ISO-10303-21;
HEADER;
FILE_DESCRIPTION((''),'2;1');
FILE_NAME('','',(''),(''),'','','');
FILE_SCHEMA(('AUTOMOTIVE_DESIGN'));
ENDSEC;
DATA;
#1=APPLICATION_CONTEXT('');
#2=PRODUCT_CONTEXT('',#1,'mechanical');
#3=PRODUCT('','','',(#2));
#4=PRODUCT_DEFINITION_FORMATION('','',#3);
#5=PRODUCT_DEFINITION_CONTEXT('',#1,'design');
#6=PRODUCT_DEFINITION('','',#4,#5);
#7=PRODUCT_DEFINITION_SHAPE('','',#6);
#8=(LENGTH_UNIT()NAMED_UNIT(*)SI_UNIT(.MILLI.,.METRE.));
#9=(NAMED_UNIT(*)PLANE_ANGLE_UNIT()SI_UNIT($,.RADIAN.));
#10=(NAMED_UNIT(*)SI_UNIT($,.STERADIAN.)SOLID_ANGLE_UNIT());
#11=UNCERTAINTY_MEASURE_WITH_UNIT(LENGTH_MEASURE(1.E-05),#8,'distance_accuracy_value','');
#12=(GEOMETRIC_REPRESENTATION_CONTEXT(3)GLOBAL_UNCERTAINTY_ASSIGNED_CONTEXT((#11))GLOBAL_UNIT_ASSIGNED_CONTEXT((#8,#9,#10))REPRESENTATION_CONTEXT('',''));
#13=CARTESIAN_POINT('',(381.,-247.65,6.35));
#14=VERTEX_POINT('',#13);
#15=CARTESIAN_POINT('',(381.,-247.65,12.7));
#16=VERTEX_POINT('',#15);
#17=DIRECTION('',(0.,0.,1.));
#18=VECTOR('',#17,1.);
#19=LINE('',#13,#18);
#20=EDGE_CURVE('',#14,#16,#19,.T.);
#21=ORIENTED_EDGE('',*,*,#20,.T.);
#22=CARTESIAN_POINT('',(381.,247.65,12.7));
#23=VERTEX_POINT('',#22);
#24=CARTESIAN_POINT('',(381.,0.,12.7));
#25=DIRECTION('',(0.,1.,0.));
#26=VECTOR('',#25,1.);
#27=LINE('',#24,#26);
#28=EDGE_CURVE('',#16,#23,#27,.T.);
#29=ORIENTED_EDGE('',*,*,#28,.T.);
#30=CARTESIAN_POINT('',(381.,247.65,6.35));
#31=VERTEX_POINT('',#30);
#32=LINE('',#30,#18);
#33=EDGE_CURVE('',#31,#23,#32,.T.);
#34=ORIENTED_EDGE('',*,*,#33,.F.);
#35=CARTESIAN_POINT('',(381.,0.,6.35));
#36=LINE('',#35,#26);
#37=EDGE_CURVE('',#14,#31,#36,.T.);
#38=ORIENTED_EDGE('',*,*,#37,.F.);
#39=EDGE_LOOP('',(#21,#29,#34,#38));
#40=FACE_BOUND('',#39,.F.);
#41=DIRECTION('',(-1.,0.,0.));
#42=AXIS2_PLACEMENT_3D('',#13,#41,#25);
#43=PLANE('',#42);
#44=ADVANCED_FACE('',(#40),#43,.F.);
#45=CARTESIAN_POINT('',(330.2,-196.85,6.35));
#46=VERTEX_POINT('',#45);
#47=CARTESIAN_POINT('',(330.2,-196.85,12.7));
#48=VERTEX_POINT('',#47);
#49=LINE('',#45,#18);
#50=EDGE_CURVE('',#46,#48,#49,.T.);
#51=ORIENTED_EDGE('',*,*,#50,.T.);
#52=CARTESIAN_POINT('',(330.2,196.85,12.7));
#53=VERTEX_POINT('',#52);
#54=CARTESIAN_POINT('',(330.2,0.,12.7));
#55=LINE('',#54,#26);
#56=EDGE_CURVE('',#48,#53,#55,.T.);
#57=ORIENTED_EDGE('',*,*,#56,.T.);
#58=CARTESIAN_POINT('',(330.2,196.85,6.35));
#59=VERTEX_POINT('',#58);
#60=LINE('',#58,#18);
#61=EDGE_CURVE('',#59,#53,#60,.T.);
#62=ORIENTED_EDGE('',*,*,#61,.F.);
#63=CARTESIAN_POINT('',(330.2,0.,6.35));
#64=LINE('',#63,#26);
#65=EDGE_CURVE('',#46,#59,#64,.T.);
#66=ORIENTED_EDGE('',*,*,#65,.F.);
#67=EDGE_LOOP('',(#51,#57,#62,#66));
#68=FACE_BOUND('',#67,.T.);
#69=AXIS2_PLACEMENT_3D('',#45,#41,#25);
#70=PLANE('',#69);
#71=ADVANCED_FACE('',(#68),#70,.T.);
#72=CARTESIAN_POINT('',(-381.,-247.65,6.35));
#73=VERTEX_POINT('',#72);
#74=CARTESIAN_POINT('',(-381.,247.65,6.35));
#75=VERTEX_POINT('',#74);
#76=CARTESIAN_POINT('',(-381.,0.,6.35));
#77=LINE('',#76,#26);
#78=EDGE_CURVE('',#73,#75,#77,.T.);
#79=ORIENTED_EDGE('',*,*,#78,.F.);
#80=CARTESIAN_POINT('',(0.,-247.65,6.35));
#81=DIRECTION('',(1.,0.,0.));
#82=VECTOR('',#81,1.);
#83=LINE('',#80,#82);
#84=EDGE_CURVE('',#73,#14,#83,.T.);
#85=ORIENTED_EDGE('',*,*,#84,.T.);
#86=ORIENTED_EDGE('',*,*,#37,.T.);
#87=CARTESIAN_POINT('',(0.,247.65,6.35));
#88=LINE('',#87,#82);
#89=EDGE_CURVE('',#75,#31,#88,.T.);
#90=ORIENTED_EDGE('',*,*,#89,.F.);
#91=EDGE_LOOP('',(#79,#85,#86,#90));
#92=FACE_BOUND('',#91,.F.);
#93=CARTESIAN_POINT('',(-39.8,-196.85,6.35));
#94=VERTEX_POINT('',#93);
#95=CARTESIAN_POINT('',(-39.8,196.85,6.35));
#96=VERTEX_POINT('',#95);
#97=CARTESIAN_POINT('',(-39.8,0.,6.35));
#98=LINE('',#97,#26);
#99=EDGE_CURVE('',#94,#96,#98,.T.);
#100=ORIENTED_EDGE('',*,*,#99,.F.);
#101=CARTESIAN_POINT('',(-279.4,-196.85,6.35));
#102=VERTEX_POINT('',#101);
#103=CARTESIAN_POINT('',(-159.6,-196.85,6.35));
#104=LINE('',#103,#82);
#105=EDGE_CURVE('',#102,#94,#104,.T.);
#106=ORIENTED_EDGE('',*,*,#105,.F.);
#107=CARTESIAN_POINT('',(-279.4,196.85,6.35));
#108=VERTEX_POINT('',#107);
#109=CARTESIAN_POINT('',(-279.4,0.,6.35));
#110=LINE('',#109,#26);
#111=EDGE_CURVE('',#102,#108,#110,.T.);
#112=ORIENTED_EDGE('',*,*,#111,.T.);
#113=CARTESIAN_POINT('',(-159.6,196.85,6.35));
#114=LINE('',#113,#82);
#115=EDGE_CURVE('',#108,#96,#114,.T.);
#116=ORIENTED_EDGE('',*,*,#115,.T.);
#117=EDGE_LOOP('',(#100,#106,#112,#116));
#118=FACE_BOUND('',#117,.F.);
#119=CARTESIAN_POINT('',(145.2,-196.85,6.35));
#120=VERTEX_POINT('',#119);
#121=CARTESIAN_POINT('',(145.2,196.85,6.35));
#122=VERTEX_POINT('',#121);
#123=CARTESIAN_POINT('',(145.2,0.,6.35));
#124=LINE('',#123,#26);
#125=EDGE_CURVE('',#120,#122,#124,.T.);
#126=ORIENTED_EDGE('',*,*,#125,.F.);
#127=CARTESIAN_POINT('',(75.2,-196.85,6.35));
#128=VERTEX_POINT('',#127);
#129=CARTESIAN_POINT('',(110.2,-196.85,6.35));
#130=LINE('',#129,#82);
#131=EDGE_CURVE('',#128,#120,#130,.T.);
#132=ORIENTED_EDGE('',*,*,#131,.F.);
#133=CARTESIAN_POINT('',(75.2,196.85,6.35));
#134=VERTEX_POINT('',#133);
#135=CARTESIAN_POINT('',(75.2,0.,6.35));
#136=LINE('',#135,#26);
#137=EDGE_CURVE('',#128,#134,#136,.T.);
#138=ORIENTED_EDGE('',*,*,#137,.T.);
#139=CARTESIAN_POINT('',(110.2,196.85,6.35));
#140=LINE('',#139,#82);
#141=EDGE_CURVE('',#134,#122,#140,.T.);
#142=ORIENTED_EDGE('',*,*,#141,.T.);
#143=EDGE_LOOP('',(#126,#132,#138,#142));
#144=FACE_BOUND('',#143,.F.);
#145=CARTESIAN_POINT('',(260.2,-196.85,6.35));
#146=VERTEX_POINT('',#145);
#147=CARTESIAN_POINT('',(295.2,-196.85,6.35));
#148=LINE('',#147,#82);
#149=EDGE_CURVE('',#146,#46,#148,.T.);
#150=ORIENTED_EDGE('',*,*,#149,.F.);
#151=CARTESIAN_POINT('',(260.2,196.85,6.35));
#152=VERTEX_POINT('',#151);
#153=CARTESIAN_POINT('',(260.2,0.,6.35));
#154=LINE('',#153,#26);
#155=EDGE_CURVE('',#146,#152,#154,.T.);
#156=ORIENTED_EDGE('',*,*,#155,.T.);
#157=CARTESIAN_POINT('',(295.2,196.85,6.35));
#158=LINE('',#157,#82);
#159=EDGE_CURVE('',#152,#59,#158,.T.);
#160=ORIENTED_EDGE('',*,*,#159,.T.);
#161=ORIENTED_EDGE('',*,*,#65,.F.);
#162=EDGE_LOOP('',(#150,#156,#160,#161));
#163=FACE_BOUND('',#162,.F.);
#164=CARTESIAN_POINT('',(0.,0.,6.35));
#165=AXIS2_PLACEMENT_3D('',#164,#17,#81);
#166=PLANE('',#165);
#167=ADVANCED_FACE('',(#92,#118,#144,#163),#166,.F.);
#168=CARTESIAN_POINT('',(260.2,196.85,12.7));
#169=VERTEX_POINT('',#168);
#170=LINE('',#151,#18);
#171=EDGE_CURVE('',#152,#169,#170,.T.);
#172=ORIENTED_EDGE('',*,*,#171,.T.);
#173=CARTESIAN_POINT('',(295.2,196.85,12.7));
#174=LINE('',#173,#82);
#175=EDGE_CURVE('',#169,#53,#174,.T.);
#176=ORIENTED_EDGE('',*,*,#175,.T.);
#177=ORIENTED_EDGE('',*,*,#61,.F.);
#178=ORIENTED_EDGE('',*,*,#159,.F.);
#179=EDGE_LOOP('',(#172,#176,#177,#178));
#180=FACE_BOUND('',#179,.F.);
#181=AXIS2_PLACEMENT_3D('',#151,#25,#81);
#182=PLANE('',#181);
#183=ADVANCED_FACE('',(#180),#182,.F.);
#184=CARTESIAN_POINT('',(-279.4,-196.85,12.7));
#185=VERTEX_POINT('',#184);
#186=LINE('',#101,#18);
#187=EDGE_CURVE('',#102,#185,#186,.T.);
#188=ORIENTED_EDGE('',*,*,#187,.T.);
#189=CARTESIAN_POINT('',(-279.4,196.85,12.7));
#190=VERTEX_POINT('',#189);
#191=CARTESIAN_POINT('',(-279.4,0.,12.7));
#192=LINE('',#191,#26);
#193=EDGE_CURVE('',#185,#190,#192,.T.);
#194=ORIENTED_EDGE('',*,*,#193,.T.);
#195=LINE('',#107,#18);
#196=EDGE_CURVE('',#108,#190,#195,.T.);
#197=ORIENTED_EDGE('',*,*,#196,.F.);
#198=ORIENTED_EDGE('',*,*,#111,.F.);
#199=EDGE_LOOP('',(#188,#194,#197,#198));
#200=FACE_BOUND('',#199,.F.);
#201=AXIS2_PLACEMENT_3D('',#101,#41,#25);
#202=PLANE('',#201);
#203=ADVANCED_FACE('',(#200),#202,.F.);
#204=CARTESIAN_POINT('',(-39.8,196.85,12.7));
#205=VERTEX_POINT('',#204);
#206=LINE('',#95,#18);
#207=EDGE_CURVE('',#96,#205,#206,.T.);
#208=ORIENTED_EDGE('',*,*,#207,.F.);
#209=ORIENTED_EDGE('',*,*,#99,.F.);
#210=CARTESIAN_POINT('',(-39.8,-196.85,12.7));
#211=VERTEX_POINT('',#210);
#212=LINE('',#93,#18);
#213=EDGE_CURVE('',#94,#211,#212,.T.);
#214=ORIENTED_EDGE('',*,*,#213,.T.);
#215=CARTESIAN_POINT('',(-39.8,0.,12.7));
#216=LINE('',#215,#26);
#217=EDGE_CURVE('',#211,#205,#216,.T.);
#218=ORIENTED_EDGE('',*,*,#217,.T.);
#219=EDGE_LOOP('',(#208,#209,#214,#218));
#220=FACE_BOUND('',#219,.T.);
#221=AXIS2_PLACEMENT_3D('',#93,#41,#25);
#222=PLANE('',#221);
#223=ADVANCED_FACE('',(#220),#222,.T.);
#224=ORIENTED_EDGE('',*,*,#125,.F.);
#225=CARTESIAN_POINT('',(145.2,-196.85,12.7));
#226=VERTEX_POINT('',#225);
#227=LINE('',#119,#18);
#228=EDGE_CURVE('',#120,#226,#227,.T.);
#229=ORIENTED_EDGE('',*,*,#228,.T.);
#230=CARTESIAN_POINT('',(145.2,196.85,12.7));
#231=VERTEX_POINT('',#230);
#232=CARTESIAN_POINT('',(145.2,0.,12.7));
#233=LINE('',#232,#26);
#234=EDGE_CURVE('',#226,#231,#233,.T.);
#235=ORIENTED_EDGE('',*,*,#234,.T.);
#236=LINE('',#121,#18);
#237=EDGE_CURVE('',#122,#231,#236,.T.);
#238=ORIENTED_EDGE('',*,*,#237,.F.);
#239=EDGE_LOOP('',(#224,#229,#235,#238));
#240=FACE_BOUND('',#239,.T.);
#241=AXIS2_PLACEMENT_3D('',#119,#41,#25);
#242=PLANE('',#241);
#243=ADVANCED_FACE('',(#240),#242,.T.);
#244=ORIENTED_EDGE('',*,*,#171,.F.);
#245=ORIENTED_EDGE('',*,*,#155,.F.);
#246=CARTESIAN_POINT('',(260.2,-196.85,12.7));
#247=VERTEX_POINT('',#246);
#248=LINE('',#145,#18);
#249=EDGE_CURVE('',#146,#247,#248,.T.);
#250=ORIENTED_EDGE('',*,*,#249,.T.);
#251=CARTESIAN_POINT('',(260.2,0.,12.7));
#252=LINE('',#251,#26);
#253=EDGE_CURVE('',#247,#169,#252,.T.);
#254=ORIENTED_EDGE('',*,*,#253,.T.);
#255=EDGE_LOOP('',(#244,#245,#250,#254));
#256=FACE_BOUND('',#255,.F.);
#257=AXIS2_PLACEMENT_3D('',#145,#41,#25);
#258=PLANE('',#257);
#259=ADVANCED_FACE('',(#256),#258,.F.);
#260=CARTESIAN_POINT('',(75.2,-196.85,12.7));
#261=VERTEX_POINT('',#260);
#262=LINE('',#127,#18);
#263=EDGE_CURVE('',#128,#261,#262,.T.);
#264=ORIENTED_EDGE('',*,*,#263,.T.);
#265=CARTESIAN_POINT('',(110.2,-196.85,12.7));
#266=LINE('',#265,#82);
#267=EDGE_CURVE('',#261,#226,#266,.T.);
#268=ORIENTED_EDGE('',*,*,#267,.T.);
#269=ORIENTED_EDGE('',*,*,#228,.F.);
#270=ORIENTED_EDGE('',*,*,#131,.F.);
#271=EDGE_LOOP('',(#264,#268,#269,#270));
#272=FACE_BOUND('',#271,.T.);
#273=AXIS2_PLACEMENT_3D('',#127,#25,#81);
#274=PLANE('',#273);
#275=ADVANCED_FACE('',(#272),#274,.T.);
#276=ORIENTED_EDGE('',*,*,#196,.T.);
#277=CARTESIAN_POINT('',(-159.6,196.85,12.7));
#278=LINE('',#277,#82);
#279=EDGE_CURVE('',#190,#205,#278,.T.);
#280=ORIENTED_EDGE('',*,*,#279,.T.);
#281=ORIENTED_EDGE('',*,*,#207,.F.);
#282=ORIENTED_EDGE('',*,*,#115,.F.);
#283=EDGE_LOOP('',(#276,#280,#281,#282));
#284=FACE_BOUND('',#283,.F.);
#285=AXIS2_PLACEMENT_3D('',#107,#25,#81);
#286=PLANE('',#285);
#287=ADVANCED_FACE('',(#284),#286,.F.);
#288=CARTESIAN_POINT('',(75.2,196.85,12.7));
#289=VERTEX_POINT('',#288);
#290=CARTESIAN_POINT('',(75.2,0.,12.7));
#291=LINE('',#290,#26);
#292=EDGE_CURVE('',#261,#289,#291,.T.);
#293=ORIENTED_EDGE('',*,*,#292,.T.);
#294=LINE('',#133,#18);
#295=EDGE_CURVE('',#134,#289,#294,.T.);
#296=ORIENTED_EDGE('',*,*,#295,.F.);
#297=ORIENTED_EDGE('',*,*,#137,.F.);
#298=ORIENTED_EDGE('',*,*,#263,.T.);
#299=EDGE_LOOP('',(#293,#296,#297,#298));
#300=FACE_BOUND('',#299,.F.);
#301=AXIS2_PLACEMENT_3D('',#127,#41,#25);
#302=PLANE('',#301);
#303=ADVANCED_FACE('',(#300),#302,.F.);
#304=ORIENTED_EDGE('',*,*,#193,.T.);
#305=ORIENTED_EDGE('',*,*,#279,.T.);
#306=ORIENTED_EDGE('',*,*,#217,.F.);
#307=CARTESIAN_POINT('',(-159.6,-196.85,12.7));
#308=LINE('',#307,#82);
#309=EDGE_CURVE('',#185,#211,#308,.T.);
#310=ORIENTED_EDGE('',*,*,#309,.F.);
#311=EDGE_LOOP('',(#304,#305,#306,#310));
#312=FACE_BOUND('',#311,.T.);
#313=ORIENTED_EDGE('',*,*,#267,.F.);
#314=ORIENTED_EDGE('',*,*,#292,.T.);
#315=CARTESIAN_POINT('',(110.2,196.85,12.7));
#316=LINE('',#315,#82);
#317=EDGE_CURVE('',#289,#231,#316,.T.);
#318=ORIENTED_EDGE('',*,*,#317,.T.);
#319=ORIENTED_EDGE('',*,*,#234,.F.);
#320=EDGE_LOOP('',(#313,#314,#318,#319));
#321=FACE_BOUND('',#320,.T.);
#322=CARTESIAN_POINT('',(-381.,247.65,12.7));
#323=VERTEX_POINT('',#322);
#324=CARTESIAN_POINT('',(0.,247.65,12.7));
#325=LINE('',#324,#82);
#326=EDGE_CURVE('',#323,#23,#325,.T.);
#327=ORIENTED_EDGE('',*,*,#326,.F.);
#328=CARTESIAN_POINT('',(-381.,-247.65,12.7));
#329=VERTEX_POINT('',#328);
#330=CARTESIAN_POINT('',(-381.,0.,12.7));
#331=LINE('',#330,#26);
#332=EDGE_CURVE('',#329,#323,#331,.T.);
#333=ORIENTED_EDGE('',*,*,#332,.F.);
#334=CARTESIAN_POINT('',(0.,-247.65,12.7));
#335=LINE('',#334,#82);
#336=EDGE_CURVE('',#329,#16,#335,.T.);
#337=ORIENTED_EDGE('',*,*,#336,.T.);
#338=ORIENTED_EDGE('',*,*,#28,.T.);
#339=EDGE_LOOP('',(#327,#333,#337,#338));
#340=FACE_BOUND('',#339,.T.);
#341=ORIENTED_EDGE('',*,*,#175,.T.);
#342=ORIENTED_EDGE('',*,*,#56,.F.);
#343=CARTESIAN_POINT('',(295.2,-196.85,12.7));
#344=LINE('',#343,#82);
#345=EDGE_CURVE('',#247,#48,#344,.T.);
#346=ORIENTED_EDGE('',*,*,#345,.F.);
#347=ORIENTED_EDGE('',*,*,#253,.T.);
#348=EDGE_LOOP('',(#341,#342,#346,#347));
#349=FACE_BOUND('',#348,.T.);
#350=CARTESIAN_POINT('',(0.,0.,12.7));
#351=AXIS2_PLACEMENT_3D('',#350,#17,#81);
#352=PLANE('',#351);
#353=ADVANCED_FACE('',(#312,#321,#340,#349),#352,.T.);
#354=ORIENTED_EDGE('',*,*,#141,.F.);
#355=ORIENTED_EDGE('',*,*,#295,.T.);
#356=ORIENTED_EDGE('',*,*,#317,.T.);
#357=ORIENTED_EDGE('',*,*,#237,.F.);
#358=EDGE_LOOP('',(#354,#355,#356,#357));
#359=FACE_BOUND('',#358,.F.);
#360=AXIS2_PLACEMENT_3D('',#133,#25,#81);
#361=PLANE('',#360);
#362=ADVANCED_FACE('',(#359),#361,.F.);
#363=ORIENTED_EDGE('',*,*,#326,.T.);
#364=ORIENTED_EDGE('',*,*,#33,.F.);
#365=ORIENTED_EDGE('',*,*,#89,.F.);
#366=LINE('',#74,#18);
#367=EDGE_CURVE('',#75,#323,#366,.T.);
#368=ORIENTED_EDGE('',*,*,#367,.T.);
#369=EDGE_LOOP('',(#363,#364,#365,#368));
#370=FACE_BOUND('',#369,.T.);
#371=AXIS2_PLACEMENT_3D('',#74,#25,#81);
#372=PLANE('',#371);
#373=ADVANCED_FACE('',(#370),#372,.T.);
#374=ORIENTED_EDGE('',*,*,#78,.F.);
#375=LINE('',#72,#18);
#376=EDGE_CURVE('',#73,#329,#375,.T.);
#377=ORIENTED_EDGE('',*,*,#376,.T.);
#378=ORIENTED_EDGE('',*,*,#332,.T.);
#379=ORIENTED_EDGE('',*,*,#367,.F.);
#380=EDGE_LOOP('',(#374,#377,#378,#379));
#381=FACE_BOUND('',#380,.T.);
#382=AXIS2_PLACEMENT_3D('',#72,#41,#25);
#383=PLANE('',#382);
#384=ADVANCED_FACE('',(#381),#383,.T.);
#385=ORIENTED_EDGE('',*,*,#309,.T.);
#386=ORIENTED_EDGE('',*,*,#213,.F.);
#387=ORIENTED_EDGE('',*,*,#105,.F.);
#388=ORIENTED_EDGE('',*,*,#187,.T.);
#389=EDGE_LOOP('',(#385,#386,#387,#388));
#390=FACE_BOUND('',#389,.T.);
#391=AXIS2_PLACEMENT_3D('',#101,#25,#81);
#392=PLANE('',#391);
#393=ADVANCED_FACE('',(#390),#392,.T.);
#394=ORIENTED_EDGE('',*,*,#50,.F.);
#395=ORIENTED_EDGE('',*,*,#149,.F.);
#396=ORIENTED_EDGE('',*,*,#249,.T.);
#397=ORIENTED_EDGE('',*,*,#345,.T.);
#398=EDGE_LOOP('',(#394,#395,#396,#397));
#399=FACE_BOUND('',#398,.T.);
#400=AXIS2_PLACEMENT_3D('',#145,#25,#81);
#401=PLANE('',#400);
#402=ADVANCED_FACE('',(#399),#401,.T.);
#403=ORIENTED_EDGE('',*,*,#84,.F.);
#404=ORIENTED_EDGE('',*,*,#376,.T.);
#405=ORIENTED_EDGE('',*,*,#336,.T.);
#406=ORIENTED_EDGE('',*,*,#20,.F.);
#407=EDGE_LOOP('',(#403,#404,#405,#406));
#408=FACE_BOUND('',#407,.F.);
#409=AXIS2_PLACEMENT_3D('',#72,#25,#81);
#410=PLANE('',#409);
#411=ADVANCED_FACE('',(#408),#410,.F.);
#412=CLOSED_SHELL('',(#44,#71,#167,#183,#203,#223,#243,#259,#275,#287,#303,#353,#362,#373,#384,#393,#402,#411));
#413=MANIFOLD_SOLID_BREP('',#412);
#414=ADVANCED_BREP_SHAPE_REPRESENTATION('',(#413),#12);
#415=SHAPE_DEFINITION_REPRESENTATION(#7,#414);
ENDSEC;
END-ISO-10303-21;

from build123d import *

# Parameters (mm, degrees)
SKETCH_W   = 762
SKETCH_H   = 495.3
SKETCH_W_2 = 70
SKETCH_H_2 = 393.7
SKETCH_W_3 = 239.6
PAD_DEPTH  = 6.35


with BuildPart() as part:
    # Sketch → Pad (new body)
    with BuildSketch(Plane.XY.offset(6.35)):
        Rectangle(SKETCH_W, SKETCH_H)
        with Locations((295.2, 0)):
            Rectangle(SKETCH_W_2, SKETCH_H_2, mode=Mode.SUBTRACT)
        with Locations((-159.6, 0)):
            Rectangle(SKETCH_W_3, SKETCH_H_2, mode=Mode.SUBTRACT)
        with Locations((110.2, 0)):
            Rectangle(SKETCH_W_2, SKETCH_H_2, mode=Mode.SUBTRACT)
    extrude(amount=PAD_DEPTH)


solid = part.part
